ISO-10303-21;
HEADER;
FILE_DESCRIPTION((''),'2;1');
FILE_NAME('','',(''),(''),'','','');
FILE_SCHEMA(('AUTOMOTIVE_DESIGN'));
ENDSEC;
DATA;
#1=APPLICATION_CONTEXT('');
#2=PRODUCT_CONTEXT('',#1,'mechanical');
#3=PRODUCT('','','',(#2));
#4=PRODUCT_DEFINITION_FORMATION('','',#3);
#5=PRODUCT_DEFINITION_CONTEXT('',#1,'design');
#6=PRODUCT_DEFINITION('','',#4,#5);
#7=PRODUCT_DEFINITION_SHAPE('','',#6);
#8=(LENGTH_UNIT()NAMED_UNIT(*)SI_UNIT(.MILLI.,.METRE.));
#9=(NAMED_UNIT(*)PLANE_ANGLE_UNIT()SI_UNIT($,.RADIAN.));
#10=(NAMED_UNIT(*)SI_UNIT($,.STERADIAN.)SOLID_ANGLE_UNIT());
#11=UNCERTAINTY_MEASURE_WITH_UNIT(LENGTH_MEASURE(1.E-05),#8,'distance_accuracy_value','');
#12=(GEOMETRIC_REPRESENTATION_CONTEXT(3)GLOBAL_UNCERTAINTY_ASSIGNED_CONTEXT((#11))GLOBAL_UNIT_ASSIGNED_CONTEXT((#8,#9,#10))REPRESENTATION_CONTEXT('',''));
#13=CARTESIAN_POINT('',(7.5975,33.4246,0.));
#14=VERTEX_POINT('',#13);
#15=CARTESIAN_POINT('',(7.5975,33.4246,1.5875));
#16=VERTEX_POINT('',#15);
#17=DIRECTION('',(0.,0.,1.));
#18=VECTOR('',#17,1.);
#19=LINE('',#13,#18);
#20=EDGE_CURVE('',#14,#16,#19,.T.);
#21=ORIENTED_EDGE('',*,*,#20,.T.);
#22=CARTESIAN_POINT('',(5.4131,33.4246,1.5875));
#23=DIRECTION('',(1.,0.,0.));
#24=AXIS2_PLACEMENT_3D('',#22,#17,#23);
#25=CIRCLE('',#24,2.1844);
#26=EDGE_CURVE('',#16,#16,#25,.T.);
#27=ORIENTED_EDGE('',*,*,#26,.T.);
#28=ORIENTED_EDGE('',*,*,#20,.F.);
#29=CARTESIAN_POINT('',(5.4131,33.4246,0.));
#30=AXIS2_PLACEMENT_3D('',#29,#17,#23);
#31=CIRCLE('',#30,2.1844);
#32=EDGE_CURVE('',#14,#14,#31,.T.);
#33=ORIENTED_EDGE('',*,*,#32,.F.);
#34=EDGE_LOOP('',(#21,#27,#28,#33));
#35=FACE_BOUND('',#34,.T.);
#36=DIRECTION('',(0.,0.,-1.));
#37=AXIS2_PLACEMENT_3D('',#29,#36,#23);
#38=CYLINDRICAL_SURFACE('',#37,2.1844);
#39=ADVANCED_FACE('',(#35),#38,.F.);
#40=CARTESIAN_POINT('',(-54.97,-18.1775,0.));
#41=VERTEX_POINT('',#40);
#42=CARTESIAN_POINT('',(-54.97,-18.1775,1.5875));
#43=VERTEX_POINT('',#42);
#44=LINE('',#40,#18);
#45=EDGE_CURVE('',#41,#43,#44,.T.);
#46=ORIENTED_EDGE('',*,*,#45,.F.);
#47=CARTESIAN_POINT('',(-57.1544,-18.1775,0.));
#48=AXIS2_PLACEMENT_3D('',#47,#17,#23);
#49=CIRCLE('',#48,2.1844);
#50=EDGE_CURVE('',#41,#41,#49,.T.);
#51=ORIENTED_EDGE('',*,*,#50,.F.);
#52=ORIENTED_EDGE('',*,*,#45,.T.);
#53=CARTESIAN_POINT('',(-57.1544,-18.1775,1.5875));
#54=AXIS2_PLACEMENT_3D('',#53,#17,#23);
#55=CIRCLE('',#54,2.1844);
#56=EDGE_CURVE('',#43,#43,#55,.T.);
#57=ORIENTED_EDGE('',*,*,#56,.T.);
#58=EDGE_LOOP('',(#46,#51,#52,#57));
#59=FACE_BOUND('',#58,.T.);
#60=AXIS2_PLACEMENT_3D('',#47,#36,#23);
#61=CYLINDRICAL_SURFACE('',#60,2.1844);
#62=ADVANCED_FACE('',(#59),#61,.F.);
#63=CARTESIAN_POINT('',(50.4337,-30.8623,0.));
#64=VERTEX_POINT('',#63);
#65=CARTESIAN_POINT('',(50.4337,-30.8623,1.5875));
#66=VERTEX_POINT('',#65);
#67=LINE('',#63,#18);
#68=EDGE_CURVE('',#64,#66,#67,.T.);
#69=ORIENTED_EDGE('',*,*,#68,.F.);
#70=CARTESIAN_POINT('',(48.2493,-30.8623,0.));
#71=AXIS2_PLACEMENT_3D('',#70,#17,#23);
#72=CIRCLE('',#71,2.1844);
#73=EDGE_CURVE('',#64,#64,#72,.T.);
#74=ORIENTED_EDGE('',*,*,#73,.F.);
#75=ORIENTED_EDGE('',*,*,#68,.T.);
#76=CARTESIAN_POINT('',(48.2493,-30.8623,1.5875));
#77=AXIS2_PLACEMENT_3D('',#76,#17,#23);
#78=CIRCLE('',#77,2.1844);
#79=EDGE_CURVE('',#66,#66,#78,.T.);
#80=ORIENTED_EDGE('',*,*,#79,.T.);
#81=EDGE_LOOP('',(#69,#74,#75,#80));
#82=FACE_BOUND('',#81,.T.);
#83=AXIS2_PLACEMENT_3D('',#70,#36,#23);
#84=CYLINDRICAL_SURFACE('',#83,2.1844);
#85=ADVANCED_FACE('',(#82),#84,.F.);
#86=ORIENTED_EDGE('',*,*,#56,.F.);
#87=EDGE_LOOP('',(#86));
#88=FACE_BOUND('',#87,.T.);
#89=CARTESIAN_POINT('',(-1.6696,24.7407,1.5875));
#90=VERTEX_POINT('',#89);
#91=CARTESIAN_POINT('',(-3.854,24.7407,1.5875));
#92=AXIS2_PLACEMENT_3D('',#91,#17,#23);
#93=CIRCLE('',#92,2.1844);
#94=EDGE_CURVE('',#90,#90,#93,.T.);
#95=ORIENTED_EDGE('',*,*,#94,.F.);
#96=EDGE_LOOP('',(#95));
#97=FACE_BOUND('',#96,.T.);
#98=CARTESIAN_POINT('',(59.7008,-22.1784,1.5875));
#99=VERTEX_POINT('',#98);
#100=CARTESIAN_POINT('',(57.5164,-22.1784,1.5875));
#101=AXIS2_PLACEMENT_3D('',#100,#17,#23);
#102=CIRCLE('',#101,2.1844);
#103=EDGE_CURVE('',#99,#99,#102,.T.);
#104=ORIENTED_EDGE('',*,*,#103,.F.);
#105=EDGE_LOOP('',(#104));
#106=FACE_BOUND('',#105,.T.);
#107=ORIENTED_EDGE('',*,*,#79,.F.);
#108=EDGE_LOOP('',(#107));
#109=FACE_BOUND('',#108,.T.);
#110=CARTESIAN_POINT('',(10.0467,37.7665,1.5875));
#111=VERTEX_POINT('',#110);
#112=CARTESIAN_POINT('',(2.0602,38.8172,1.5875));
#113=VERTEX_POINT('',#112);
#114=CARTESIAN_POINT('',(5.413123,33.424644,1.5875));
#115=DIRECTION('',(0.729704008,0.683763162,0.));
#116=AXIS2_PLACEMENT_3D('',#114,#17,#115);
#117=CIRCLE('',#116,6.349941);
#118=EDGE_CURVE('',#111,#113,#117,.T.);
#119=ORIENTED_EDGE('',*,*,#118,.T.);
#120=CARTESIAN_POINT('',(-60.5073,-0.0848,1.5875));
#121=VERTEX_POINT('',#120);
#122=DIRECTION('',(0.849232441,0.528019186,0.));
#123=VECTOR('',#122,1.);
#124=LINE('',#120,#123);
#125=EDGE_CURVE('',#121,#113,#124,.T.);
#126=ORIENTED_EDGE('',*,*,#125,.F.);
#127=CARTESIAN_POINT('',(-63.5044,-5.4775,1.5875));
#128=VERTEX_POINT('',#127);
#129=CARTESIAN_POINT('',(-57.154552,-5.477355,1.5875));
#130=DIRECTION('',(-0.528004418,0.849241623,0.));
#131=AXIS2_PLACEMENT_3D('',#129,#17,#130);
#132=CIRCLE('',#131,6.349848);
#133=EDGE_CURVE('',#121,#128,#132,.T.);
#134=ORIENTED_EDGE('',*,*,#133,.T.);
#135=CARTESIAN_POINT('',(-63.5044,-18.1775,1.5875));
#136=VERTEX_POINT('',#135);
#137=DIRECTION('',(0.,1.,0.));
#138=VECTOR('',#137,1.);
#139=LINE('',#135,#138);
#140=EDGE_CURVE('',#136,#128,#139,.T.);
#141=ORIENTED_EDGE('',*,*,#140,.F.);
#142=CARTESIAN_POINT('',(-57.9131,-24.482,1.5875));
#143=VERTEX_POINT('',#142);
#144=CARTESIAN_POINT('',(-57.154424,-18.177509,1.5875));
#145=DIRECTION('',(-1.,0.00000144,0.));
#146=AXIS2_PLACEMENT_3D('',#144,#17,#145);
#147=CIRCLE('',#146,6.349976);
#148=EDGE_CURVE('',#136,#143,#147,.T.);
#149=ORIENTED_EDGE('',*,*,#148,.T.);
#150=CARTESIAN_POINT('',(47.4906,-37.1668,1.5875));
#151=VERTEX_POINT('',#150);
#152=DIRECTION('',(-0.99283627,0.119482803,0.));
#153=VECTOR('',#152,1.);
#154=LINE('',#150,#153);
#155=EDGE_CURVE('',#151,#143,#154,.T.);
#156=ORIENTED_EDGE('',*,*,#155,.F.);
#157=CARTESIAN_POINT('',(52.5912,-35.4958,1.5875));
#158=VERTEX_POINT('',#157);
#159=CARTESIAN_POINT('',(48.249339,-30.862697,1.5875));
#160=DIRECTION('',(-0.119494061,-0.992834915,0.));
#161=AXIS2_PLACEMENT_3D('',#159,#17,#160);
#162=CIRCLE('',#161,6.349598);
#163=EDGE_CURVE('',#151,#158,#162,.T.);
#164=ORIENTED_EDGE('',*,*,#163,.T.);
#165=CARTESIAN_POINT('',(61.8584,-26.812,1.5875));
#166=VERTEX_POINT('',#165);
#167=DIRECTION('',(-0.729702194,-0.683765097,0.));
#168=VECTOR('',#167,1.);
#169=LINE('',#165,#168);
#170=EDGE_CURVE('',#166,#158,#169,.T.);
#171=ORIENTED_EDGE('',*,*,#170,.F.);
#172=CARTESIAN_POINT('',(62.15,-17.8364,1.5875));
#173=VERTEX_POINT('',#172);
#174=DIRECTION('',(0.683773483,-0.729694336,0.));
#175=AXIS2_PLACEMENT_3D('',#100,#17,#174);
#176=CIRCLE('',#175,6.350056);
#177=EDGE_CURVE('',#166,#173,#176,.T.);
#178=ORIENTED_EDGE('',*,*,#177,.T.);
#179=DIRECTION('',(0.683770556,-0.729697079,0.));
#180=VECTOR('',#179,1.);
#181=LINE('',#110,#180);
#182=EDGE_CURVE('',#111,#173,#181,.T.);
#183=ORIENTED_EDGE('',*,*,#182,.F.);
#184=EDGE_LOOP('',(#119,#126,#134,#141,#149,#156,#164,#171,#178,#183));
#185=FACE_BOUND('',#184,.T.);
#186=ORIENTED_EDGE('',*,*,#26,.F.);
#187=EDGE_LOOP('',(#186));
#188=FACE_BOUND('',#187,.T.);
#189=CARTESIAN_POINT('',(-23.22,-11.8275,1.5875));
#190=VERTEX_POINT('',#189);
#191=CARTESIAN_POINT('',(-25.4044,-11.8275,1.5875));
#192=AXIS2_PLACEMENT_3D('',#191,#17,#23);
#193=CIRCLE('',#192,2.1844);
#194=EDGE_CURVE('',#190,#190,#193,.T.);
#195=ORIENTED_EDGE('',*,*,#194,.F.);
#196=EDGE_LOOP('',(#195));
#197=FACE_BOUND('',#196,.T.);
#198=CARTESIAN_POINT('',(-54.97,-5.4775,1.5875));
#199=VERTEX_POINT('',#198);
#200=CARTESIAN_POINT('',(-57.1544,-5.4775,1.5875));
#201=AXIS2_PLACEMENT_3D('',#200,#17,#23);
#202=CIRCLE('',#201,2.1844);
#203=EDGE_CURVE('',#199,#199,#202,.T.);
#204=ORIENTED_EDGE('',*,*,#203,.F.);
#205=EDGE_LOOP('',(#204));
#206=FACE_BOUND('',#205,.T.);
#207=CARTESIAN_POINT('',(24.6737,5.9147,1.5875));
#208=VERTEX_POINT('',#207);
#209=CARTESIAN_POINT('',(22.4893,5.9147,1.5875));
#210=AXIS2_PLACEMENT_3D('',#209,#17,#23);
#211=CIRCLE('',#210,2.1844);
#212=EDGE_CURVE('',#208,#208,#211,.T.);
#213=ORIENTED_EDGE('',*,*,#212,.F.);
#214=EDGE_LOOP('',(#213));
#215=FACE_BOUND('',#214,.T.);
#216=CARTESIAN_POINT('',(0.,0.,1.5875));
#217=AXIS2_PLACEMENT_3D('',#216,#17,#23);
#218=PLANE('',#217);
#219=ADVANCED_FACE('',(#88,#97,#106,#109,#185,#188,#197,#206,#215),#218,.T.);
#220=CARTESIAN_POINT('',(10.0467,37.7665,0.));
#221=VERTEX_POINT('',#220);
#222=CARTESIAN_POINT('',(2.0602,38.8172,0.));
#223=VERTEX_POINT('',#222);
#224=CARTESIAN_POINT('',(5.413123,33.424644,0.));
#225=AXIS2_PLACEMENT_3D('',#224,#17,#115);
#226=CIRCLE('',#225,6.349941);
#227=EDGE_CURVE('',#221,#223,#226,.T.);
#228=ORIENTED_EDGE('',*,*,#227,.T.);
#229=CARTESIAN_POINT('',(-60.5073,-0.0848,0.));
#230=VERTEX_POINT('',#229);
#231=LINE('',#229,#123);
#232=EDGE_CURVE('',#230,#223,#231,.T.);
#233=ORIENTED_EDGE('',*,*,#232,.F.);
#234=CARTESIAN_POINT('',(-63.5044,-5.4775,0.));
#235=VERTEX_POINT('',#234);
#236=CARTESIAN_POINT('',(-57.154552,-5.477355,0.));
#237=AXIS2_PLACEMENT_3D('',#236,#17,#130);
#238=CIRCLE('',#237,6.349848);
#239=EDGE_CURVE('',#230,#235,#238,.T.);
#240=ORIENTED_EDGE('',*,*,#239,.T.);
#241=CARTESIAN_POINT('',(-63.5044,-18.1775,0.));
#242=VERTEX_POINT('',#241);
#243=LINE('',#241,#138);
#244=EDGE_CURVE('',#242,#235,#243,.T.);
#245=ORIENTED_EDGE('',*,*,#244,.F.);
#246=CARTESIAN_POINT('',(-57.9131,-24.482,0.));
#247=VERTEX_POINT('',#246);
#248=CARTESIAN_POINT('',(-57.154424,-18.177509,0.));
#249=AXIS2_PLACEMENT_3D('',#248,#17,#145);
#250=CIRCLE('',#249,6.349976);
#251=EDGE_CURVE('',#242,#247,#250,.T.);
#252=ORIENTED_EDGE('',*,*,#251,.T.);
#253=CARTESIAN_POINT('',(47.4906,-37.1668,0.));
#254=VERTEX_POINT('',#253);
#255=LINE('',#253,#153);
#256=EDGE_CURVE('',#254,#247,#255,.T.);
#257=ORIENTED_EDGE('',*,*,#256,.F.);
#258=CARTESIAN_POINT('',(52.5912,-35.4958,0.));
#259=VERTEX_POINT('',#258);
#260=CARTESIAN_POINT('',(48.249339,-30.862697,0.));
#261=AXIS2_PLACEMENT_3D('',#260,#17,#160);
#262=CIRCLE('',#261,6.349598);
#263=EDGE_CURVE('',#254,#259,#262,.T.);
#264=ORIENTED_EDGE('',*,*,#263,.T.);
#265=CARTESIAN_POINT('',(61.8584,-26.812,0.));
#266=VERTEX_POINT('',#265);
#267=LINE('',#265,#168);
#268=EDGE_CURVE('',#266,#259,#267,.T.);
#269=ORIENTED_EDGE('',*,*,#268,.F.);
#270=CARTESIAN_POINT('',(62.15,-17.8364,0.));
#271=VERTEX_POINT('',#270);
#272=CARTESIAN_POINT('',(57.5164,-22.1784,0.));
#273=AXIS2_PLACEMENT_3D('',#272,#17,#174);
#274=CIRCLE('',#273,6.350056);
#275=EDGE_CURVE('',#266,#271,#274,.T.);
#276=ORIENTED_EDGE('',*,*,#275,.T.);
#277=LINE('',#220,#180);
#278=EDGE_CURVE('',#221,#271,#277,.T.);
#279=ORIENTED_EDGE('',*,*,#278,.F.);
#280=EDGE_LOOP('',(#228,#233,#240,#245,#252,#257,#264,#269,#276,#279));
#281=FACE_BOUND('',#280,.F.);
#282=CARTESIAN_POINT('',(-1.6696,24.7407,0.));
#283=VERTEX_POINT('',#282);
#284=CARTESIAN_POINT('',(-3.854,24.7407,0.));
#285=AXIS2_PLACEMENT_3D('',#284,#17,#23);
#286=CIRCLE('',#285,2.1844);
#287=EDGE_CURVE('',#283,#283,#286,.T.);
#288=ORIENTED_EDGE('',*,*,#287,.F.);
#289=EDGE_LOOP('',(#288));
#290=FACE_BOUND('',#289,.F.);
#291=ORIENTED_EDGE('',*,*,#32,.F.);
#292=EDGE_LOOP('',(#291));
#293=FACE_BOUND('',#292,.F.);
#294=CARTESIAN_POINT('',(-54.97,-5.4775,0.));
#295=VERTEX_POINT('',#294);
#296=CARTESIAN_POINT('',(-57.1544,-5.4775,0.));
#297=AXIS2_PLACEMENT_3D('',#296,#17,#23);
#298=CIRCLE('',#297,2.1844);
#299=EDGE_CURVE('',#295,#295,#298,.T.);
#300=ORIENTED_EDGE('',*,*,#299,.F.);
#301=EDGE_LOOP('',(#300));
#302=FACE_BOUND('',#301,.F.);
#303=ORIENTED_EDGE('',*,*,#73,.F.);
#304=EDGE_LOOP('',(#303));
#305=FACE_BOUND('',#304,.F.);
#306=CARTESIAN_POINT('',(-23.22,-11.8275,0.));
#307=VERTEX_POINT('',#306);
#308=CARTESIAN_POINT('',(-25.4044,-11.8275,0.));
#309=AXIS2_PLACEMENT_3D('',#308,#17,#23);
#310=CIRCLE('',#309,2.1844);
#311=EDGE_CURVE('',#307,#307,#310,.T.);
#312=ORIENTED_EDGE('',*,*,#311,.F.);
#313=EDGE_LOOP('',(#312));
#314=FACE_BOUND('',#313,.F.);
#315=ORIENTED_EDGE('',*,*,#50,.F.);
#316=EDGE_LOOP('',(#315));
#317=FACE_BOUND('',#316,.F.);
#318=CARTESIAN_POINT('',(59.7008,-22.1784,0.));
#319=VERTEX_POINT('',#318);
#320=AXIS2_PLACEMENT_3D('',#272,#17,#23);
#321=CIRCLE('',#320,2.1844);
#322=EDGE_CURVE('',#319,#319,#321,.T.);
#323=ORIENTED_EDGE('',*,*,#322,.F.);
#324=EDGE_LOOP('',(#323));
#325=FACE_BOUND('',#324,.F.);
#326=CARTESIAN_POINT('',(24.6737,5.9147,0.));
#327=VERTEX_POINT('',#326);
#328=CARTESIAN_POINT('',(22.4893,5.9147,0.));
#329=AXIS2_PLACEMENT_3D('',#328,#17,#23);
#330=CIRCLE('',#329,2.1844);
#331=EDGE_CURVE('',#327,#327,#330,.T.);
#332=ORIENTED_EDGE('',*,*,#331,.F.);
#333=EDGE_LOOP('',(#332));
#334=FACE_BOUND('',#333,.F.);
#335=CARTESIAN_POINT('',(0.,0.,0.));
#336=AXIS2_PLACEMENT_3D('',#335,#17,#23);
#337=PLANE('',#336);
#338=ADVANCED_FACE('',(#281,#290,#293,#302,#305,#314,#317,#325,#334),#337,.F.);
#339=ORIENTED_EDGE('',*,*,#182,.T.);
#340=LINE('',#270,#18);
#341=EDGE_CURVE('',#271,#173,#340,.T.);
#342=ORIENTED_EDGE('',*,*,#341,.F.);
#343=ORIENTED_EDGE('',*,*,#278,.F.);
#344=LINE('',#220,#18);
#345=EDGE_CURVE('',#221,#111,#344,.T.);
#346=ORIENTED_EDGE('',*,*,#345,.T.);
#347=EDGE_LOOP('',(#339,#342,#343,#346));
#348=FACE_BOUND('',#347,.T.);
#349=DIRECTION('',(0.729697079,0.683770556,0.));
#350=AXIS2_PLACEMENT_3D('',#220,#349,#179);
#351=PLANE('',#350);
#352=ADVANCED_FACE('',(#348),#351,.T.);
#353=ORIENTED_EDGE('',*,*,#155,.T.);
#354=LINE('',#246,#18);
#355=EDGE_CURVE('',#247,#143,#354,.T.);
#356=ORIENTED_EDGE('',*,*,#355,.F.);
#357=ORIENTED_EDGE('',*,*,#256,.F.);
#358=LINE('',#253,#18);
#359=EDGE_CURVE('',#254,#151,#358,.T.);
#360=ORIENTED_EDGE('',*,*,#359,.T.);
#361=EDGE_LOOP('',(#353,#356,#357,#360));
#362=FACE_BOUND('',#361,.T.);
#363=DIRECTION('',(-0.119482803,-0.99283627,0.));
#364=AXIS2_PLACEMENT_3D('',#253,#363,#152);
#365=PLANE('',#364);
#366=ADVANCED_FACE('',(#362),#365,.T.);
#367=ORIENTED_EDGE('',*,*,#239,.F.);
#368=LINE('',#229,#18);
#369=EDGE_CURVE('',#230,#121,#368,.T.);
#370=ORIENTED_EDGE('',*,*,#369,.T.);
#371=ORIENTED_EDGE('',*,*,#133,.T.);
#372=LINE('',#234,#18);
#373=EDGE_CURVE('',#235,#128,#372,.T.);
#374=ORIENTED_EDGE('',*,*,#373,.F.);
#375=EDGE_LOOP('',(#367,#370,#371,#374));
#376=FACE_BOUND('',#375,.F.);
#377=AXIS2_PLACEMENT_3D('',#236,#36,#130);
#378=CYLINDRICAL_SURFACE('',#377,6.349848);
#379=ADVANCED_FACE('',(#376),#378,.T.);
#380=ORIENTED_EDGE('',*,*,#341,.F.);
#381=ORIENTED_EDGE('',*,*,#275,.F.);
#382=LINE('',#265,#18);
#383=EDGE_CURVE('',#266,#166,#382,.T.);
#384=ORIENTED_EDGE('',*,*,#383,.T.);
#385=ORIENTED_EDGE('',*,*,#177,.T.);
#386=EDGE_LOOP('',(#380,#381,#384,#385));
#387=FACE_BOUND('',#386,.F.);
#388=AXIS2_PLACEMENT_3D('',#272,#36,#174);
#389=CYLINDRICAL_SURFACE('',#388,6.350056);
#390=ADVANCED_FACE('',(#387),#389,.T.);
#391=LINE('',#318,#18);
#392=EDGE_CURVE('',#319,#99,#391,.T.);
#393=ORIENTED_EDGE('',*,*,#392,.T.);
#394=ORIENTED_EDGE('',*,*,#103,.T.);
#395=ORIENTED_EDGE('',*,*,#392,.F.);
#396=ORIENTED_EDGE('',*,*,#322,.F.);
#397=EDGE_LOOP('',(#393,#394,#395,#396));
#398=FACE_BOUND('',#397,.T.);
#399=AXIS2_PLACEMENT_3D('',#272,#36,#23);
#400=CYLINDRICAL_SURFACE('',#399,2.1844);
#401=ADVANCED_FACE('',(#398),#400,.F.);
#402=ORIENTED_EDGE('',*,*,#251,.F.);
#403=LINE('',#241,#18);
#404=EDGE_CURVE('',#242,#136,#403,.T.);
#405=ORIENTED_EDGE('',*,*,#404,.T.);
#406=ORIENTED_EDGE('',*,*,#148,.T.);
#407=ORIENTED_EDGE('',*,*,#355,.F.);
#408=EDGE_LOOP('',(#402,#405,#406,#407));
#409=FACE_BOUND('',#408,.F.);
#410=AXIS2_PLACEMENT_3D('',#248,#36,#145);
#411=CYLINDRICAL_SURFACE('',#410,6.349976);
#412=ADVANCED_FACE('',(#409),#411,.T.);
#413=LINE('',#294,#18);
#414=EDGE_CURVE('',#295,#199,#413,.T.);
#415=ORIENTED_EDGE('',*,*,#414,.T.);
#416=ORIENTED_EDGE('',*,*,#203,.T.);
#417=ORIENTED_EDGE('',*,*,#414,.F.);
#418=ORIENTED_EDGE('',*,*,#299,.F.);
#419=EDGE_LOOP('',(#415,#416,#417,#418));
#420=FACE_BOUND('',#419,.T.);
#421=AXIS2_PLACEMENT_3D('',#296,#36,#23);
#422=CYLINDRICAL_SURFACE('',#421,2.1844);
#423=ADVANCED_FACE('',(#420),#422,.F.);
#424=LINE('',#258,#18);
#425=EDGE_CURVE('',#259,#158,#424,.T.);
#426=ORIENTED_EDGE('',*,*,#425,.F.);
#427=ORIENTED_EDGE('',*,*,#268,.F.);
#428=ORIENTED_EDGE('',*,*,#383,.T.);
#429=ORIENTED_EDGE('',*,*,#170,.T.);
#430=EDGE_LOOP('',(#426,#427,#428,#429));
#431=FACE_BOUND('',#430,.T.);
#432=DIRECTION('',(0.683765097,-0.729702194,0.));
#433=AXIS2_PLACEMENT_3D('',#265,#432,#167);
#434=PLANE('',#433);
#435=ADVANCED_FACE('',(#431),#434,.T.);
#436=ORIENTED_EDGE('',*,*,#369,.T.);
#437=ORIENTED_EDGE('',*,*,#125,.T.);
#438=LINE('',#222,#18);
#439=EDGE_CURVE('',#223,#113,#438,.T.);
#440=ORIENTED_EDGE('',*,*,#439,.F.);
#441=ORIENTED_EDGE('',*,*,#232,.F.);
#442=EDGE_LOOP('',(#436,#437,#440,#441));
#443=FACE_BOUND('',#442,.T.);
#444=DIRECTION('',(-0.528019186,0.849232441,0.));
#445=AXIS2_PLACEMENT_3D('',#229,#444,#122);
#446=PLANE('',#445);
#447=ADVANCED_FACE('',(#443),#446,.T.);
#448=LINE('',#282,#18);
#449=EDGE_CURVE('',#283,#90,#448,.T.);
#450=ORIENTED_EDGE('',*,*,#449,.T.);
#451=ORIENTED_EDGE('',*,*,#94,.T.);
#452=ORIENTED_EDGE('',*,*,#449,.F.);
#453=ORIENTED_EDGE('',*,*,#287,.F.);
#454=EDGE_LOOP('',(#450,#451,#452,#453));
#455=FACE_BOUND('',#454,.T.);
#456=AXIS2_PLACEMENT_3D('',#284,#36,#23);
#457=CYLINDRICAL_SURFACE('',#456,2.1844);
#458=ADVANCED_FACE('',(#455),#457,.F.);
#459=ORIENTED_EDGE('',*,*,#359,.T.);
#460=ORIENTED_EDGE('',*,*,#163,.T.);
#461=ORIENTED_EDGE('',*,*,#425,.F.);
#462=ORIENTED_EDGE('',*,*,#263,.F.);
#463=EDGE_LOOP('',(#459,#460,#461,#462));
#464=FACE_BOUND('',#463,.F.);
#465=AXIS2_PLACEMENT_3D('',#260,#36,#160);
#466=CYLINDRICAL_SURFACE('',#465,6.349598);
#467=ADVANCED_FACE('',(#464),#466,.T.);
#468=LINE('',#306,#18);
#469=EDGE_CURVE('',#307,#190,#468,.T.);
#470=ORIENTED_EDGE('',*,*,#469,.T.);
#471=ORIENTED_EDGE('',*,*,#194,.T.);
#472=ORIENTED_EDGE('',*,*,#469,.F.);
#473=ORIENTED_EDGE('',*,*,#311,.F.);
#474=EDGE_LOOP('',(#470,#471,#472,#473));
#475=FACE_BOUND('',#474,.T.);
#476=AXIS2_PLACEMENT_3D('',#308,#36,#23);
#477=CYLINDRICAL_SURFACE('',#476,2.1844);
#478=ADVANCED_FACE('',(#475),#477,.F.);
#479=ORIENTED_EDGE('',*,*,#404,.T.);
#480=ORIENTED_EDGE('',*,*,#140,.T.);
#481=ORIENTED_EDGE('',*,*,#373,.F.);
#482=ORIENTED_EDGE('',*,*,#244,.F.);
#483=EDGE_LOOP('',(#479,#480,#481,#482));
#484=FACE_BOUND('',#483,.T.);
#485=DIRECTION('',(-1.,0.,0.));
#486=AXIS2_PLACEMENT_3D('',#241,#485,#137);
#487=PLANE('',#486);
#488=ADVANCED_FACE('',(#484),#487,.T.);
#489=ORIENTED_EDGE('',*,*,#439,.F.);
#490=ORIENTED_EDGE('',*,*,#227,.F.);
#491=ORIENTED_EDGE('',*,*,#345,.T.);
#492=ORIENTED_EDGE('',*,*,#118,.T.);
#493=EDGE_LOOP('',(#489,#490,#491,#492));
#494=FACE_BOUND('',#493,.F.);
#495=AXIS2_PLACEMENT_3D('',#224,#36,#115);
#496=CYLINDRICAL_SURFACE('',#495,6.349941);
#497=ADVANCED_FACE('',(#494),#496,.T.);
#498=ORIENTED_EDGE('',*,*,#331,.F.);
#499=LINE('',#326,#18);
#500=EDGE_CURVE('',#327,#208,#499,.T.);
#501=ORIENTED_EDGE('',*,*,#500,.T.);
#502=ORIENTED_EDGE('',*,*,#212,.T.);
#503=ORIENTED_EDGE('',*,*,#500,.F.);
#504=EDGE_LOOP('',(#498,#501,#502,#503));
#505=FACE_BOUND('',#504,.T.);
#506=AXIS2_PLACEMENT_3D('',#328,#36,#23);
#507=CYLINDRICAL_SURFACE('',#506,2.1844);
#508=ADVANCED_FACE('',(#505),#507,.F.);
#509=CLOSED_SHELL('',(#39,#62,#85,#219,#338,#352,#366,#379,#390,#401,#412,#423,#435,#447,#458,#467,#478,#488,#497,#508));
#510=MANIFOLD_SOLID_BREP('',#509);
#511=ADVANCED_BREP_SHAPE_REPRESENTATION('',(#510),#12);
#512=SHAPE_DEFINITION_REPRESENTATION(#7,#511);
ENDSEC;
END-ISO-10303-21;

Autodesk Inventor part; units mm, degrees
ref_plane "YZ Plane" through (0, 0, 0) normal (1, 0, 0) x (0, 1, 0)
ref_plane "XZ Plane" through (0, 0, 0) normal (0, 1, 0) x (-1, 0, 0)
ref_plane "XY Plane" through (0, 0, 0) normal (0, 0, 1) x (1, 0, 0)
sketch "Sketch1" plane through (0, 0, 0) normal (0, 0, 1) x (1, 0, 0)
  circle A0 centre (48.2493, -30.8623) radius 2.1844
  circle A1 centre (57.5164, -22.1784) radius 2.1844
  circle A2 centre (5.4131, 33.4246) radius 2.1844
  circle A3 centre (-3.854, 24.7407) radius 2.1844
  circle A4 centre (22.4893, 5.9147) radius 2.1844
  circle A5 centre (-57.1544, -5.4775) radius 2.1844 construction
  circle A6 centre (-57.1544, -18.1775) radius 2.1844 construction
  arc A7 (-60.5073, -0.0848) -> (-63.5044, -5.4775) centre (-57.1544, -5.4775) ccw
  arc A8 (-63.5044, -18.1775) -> (-57.9131, -24.482) centre (-57.1544, -18.1775) ccw
  circle A9 centre (-57.1544, -5.4775) radius 2.1844
  circle A10 centre (-57.1544, -18.1775) radius 2.1844
  arc A11 (10.0467, 37.7665) -> (2.0602, 38.8172) centre (5.4131, 33.4246) ccw
  arc A12 (61.8584, -26.812) -> (62.15, -17.8364) centre (57.5164, -22.1784) ccw
  arc A13 (47.4906, -37.1668) -> (52.5912, -35.4958) centre (48.2493, -30.8623) ccw
  line L0 (10.0467, 37.7665) -> (62.15, -17.8364)
  line L1 (61.8584, -26.812) -> (52.5912, -35.4958)
  line L2 (47.4906, -37.1668) -> (-57.9131, -24.482)
  line L3 (-63.5044, -18.1775) -> (-63.5044, -5.4775)
  line L4 (-60.5073, -0.0848) -> (2.0602, 38.8172)
  circle A14 centre (-25.4044, -11.8275) radius 2.1844
  dimension "d0" = 12.7
  dimension "d1" = 12.7
  dimension "d2" = 12.7
  dimension "d3" = 12.7
  dimension "d4" = 12.7
  dimension "d7" = 4.3688
  dimension "d8" = 31.75
  dimension "d9" = 6.35
extrude "Extrusion1" add sketch "Sketch1" along normal blind 1.5875
properties part number "2.1-Gearbox"
